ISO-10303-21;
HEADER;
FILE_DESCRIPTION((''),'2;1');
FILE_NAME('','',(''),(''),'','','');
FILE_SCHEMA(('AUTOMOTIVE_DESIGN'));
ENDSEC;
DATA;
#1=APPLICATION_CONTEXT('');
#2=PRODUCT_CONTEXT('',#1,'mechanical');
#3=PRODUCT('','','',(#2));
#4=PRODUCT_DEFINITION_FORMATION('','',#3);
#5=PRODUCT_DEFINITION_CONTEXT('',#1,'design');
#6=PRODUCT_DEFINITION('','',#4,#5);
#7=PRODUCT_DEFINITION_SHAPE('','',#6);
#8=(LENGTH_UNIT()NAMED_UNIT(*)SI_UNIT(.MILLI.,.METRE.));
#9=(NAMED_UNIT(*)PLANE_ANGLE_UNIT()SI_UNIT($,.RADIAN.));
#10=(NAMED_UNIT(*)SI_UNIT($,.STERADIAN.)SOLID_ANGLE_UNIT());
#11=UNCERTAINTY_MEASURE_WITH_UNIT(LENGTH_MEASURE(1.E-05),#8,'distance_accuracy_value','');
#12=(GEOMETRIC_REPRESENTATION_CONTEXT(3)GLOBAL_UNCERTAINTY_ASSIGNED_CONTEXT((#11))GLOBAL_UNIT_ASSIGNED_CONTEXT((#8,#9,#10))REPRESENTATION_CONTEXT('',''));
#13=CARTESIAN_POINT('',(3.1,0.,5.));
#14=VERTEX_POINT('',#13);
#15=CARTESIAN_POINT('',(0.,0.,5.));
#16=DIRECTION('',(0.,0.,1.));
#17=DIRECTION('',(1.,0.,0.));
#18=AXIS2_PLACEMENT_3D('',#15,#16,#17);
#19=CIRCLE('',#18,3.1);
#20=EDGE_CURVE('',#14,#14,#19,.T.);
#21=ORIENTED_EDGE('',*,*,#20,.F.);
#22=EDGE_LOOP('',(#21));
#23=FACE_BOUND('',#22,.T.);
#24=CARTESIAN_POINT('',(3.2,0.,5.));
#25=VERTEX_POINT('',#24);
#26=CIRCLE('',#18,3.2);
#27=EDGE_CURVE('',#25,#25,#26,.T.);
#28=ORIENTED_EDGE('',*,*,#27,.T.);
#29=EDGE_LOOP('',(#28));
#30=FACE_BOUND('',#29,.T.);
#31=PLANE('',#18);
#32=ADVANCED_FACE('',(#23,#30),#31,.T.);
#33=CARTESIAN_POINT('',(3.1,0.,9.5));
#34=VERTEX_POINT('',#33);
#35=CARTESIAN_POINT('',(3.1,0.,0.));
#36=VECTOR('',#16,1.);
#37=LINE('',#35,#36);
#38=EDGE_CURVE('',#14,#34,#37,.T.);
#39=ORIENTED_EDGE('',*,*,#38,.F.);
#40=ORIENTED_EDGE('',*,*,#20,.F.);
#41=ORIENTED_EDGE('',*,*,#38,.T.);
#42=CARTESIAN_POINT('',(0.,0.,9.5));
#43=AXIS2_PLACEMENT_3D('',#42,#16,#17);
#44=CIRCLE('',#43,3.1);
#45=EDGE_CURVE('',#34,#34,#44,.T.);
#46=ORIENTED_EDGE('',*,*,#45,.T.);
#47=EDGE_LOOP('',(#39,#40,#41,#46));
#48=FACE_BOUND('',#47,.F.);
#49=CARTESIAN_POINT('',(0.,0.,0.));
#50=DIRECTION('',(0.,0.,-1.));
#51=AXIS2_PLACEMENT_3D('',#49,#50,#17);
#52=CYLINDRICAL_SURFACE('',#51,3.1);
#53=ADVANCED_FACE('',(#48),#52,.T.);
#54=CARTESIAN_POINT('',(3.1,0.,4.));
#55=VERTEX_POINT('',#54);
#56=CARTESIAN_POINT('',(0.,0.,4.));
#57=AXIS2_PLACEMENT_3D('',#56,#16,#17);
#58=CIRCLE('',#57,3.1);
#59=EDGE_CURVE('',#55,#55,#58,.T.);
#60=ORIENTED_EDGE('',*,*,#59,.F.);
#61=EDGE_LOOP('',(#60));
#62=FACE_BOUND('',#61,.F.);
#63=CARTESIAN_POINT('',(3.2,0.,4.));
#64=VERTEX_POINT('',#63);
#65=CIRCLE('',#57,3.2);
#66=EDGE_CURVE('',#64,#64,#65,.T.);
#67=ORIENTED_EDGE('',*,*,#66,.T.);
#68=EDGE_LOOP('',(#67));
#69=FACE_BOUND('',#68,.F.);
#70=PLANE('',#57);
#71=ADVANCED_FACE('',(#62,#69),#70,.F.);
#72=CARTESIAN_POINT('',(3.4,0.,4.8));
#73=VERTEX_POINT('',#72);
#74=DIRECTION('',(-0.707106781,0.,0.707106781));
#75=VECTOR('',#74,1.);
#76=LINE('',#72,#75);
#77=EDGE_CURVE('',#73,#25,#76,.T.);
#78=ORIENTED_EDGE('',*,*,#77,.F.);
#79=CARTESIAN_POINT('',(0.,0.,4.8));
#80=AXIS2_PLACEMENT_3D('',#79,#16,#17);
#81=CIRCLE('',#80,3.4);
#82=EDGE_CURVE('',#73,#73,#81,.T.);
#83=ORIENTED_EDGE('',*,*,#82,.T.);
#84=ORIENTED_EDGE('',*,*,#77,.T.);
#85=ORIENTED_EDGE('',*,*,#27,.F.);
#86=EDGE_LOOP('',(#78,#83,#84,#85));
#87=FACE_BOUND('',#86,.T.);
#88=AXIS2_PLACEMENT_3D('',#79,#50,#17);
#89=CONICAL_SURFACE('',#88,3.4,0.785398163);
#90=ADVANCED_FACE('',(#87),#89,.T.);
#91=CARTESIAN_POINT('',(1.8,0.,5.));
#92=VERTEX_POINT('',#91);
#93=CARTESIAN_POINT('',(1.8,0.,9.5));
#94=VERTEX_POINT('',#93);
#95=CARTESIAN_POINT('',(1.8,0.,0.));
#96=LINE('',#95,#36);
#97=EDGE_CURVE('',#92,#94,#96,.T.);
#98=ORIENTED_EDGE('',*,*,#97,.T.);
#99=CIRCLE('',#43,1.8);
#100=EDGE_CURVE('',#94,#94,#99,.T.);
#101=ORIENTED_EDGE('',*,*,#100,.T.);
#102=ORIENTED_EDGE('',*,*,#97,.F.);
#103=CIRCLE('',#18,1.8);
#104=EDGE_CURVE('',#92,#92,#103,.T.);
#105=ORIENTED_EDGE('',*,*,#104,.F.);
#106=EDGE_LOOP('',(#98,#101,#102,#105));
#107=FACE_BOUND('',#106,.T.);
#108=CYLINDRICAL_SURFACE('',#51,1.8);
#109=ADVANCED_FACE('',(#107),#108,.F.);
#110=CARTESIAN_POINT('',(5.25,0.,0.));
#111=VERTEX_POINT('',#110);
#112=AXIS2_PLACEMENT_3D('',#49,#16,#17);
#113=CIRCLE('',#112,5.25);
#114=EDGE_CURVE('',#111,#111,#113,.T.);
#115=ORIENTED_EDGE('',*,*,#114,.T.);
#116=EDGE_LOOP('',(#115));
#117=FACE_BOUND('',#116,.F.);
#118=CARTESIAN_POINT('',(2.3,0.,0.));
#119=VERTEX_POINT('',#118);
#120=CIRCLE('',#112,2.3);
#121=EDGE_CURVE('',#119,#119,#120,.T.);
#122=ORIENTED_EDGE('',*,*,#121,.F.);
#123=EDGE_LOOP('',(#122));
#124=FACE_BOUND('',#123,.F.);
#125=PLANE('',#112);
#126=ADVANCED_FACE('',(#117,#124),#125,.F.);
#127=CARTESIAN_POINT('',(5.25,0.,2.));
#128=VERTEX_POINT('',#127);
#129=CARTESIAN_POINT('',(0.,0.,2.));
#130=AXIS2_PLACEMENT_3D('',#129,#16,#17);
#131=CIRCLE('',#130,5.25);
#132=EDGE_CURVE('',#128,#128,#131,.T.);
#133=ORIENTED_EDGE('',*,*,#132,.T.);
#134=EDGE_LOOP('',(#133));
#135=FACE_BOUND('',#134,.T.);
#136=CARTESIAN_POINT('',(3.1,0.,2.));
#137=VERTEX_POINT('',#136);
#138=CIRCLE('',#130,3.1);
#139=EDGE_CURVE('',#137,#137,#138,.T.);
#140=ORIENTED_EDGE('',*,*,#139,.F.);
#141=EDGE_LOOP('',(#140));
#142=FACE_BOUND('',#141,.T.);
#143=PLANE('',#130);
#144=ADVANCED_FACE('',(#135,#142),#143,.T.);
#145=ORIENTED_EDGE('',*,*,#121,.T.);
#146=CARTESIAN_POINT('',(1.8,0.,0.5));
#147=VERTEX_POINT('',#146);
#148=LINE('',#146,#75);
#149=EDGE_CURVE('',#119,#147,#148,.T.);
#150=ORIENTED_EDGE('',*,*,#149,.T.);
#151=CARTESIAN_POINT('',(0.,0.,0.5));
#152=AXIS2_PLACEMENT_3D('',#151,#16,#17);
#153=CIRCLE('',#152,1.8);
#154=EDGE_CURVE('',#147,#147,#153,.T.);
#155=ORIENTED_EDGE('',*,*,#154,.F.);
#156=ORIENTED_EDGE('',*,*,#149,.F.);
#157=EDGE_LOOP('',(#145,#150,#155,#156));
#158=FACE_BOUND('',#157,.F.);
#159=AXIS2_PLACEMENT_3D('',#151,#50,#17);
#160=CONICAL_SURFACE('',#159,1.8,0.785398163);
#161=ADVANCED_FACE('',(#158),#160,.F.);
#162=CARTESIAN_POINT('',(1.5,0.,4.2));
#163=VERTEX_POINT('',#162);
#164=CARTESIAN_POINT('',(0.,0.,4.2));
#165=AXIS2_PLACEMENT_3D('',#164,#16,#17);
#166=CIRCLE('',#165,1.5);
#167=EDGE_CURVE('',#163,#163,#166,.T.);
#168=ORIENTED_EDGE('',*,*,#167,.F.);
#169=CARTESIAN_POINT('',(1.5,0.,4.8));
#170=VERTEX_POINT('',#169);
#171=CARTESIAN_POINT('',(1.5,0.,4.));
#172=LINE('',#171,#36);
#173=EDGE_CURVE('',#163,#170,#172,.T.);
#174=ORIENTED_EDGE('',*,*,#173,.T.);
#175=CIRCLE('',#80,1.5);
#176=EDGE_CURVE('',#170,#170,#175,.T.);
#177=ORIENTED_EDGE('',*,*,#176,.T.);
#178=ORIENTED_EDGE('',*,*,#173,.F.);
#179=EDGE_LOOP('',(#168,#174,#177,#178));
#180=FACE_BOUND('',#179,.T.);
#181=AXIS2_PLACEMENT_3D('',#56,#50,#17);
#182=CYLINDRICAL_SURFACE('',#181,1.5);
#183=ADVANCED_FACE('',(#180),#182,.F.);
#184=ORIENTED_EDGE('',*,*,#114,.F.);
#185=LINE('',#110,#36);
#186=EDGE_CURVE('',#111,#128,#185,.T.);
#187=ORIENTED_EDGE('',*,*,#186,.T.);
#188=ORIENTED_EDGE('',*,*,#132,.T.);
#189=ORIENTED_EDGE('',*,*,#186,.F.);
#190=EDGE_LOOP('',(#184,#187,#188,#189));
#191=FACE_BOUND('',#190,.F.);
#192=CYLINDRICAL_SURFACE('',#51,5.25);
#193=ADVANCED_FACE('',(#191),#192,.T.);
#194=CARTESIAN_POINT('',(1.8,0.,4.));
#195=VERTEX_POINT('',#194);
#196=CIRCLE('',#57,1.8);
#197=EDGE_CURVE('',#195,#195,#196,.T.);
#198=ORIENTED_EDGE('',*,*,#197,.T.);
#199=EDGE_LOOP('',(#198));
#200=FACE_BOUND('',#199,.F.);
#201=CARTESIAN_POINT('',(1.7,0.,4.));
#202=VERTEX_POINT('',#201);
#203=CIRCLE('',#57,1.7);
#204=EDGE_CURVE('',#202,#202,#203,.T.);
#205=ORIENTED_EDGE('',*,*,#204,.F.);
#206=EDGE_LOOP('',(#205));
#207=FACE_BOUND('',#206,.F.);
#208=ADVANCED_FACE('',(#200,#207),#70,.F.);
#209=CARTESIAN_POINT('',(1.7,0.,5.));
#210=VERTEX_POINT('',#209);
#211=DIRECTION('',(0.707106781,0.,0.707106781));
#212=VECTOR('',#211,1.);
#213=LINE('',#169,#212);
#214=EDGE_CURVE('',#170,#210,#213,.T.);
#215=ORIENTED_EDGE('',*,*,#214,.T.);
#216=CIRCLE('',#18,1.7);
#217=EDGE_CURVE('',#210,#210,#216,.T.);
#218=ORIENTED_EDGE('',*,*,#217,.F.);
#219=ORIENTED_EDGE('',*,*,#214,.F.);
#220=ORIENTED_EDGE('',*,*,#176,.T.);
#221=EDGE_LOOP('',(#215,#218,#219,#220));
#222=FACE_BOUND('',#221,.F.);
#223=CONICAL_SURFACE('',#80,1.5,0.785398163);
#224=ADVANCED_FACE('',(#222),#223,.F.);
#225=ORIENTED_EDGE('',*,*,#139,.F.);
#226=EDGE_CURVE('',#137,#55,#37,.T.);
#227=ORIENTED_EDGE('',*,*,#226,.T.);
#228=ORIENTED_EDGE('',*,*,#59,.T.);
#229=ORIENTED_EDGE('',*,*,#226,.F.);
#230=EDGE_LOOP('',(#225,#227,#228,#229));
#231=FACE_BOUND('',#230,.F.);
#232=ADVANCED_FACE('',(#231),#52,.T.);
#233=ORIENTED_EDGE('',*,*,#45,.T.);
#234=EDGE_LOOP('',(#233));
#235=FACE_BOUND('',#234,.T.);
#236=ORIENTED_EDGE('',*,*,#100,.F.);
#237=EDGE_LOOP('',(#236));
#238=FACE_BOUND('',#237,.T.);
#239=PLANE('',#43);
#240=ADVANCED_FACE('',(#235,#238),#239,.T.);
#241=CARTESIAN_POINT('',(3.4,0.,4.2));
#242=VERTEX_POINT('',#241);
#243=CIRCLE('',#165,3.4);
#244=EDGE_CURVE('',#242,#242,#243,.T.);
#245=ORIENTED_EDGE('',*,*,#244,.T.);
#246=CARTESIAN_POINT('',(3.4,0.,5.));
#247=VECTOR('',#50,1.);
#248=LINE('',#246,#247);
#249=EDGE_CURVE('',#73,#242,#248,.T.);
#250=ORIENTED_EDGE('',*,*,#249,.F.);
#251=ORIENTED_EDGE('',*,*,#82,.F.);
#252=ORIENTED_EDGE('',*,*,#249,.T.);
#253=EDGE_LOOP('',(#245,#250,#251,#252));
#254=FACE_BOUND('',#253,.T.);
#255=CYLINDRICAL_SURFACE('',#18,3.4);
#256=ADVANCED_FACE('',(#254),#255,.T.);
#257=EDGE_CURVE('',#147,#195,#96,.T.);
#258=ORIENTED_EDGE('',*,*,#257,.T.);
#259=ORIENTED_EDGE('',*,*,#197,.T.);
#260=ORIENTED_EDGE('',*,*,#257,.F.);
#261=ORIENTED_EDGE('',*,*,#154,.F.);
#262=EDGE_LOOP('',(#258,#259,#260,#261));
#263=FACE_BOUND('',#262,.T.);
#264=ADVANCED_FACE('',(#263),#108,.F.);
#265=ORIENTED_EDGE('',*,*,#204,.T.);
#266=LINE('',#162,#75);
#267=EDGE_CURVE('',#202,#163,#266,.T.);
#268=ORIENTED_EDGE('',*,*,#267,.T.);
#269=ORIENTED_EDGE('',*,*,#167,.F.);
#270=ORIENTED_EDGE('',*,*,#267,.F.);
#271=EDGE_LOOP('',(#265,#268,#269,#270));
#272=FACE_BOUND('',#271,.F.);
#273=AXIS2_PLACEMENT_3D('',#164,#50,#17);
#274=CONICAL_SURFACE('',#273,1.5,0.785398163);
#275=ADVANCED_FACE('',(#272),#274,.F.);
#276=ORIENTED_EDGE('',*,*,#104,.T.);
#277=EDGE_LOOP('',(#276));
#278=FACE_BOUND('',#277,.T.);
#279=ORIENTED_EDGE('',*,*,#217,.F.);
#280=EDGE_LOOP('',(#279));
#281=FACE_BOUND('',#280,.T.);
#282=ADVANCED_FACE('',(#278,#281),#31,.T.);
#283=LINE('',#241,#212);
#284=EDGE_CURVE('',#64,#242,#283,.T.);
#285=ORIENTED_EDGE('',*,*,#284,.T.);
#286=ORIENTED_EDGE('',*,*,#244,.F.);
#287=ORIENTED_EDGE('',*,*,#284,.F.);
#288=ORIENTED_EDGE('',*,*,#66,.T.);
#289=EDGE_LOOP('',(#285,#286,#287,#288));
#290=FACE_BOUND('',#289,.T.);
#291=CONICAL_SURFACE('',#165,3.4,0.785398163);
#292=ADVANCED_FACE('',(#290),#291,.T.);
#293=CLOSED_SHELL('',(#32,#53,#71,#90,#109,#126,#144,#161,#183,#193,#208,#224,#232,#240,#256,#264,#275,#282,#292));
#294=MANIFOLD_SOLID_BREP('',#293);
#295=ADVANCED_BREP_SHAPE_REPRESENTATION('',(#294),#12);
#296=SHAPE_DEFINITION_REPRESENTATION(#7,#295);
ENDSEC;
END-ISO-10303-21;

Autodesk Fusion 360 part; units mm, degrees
sketch "Sketch1" plane through (0, 0, 0) normal (0, 0, 1) x (1, 0, 0)
  circle A0 centre (0, 0) radius 5.25
  circle A1 centre (0, 0) radius 3.1
  circle A2 centre (0, 0) radius 1.8
  circle A3 centre (0, 0) radius 3.4
  circle A4 centre (0, 0) radius 1.5
  dimension "d1" = 10.5
  dimension "d2" = 6.2
  dimension "d3" = 3.6
  dimension "d21" = 0.3
  dimension "d22" = 0.3
extrude "Extrude1" add sketch "Sketch1" along normal blind 9.5 contours A1
extrude "Extrude2" add sketch "Sketch1" along normal blind 2 contours A0 | A3
extrude "Extrude3" add sketch "Sketch1" along normal blind 4 and the other way blind -5 contours A3
chamfer "Chamfer1" distance 0.2 angle 45 2 edges at (-3.1699, -1.2295, 4) (-3.1699, -1.2295, 5)
chamfer "Chamfer2" distance 0.5 angle 45 1 edges at (-1.6782, 0.6509, 0)
extrude "Extrude4" add sketch "Sketch1" along normal blind 5 and the other way blind -4 contours A2
chamfer "Chamfer3" distance 0.2 angle 45 2 edges at (-1.3985, 0.5424, 5) (-1.3985, 0.5424, 4)
equation "d2 = OuterRadius"
equation "d3 = InnerRadius"
equation "d21 = NotchThickness"
equation "d22 = NotchThickness"
equation "InnerRadius = 3.6 mm"
equation "OuterRadius = 6.2 mm"
equation "NotchThickness = 0.30 mm"
